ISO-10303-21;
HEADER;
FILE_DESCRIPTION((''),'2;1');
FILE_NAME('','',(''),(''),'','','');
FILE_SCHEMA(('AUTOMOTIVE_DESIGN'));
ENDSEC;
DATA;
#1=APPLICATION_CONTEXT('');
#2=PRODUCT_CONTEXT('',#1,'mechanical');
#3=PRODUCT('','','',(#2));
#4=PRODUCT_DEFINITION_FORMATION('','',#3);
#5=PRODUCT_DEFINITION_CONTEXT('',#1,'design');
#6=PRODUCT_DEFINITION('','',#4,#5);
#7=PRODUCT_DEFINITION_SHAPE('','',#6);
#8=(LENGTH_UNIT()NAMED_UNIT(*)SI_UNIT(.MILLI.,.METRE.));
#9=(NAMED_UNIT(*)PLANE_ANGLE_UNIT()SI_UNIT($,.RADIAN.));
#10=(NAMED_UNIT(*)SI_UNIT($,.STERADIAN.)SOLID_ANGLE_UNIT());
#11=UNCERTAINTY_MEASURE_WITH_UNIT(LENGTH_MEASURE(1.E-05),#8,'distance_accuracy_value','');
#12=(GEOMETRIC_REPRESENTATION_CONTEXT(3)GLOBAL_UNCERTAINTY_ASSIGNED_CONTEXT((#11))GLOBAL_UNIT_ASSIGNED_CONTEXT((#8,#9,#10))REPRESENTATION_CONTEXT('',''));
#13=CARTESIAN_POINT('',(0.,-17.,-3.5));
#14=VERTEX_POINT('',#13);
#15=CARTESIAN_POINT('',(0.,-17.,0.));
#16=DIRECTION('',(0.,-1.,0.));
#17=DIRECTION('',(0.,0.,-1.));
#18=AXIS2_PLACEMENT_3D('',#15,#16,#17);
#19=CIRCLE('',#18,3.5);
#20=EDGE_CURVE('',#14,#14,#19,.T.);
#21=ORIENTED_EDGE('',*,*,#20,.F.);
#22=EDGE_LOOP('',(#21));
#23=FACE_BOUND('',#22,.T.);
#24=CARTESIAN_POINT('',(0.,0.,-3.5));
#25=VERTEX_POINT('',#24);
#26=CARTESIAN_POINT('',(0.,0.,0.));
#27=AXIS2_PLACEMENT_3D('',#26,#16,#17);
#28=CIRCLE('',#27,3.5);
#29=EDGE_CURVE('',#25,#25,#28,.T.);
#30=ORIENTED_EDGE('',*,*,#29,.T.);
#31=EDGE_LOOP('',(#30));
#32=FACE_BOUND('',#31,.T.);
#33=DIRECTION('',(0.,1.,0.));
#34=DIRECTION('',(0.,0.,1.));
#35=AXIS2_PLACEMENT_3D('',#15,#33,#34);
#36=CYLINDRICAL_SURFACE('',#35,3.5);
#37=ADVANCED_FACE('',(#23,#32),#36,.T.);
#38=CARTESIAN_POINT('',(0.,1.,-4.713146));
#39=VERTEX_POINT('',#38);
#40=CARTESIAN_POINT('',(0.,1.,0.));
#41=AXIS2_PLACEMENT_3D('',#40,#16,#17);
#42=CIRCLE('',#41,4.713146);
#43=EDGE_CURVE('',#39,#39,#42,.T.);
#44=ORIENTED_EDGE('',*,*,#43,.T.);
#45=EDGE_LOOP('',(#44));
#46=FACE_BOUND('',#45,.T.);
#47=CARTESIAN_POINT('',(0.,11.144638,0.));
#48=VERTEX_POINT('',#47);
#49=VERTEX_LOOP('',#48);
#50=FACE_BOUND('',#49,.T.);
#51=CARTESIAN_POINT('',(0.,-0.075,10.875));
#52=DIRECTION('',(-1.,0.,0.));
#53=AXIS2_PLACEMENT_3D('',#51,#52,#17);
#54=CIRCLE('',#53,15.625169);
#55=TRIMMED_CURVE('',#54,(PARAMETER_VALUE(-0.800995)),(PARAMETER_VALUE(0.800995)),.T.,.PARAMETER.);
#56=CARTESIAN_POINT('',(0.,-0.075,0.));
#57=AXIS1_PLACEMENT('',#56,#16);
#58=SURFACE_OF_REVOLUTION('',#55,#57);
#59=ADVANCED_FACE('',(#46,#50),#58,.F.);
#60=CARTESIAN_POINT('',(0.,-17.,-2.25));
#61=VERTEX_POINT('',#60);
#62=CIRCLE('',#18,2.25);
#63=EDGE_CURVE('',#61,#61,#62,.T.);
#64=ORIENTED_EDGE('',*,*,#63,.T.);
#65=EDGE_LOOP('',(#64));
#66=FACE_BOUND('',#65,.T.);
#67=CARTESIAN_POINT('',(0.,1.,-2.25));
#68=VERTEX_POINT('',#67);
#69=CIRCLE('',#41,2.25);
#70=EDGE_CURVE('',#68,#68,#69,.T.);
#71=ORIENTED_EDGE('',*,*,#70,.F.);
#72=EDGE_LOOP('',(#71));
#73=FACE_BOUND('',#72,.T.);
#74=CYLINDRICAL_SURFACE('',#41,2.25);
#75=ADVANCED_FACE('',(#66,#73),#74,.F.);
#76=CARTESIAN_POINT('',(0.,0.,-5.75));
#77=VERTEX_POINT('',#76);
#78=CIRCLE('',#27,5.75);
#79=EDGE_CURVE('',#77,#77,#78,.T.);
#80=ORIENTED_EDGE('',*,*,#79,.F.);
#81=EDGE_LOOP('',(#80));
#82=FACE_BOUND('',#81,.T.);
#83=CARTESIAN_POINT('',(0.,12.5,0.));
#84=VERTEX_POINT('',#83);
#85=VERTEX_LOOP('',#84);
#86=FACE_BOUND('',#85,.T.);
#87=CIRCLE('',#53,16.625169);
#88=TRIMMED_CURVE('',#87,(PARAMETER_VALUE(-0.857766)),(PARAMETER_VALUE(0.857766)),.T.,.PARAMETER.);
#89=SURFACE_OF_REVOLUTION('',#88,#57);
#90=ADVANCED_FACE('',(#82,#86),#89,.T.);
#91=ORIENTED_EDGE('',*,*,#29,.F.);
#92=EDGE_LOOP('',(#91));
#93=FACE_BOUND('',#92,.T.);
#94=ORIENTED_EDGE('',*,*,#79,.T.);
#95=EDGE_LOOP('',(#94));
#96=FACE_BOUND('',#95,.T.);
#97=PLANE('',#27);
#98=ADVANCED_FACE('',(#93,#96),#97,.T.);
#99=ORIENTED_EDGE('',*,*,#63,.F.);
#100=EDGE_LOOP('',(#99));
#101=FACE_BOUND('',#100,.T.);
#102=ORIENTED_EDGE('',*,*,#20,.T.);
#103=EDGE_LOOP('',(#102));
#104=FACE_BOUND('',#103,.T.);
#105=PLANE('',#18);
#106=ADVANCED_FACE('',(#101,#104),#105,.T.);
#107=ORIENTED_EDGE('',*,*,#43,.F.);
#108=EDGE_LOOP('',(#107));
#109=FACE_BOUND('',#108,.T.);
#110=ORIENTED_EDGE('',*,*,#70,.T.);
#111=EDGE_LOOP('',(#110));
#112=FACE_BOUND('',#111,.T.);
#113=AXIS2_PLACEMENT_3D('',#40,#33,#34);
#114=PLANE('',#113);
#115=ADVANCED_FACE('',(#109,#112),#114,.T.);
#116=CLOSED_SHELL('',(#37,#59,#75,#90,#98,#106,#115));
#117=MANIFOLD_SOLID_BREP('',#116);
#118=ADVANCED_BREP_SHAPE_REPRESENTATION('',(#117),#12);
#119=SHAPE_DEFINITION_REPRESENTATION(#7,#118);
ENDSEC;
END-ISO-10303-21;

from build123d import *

# Parameters (mm, degrees)
SKETCH_2_R          = 3.5
EXTRUDE_1_DEPTH     = 17
SKETCH_3_R          = 2.25
CUT_EXTRUDE_1_DEPTH = 18


with BuildPart() as part:
    # 草图1 → 旋转1 (revolve)
    with BuildSketch(Plane.XY):
        with BuildLine():
            Line((0, 0), (0, 1))
            Line((0, 1), (4.713145709, 1))
            ThreePointArc((4.713145709, 1), (3.295495491, 6.508537741), (0, 11.144638437))
            Line((0, 11.144638437), (0, 12.5))
            ThreePointArc((0, 12.5), (4.228807467, 6.872751435), (5.75, 0))
            Line((5.75, 0), (0, 0))
        make_face()
    revolve(axis=Axis((0, 11.144638437, 0), (0, 1, 0)))

    # 草图2 → 凸台-拉伸1 (add)
    with BuildSketch(Plane.XZ):
        with Locations(Location((0, 0, 0), (0, 0, 270))):
            Circle(SKETCH_2_R)
    extrude(amount=EXTRUDE_1_DEPTH)

    # 草图3 → 切除-拉伸1 (cut)
    with BuildSketch(Plane.XZ.offset(17)):
        with Locations(Location((0, 0, 0), (0, 0, 270))):
            Circle(SKETCH_3_R)
    extrude(amount=-CUT_EXTRUDE_1_DEPTH, mode=Mode.SUBTRACT)


solid = part.part
